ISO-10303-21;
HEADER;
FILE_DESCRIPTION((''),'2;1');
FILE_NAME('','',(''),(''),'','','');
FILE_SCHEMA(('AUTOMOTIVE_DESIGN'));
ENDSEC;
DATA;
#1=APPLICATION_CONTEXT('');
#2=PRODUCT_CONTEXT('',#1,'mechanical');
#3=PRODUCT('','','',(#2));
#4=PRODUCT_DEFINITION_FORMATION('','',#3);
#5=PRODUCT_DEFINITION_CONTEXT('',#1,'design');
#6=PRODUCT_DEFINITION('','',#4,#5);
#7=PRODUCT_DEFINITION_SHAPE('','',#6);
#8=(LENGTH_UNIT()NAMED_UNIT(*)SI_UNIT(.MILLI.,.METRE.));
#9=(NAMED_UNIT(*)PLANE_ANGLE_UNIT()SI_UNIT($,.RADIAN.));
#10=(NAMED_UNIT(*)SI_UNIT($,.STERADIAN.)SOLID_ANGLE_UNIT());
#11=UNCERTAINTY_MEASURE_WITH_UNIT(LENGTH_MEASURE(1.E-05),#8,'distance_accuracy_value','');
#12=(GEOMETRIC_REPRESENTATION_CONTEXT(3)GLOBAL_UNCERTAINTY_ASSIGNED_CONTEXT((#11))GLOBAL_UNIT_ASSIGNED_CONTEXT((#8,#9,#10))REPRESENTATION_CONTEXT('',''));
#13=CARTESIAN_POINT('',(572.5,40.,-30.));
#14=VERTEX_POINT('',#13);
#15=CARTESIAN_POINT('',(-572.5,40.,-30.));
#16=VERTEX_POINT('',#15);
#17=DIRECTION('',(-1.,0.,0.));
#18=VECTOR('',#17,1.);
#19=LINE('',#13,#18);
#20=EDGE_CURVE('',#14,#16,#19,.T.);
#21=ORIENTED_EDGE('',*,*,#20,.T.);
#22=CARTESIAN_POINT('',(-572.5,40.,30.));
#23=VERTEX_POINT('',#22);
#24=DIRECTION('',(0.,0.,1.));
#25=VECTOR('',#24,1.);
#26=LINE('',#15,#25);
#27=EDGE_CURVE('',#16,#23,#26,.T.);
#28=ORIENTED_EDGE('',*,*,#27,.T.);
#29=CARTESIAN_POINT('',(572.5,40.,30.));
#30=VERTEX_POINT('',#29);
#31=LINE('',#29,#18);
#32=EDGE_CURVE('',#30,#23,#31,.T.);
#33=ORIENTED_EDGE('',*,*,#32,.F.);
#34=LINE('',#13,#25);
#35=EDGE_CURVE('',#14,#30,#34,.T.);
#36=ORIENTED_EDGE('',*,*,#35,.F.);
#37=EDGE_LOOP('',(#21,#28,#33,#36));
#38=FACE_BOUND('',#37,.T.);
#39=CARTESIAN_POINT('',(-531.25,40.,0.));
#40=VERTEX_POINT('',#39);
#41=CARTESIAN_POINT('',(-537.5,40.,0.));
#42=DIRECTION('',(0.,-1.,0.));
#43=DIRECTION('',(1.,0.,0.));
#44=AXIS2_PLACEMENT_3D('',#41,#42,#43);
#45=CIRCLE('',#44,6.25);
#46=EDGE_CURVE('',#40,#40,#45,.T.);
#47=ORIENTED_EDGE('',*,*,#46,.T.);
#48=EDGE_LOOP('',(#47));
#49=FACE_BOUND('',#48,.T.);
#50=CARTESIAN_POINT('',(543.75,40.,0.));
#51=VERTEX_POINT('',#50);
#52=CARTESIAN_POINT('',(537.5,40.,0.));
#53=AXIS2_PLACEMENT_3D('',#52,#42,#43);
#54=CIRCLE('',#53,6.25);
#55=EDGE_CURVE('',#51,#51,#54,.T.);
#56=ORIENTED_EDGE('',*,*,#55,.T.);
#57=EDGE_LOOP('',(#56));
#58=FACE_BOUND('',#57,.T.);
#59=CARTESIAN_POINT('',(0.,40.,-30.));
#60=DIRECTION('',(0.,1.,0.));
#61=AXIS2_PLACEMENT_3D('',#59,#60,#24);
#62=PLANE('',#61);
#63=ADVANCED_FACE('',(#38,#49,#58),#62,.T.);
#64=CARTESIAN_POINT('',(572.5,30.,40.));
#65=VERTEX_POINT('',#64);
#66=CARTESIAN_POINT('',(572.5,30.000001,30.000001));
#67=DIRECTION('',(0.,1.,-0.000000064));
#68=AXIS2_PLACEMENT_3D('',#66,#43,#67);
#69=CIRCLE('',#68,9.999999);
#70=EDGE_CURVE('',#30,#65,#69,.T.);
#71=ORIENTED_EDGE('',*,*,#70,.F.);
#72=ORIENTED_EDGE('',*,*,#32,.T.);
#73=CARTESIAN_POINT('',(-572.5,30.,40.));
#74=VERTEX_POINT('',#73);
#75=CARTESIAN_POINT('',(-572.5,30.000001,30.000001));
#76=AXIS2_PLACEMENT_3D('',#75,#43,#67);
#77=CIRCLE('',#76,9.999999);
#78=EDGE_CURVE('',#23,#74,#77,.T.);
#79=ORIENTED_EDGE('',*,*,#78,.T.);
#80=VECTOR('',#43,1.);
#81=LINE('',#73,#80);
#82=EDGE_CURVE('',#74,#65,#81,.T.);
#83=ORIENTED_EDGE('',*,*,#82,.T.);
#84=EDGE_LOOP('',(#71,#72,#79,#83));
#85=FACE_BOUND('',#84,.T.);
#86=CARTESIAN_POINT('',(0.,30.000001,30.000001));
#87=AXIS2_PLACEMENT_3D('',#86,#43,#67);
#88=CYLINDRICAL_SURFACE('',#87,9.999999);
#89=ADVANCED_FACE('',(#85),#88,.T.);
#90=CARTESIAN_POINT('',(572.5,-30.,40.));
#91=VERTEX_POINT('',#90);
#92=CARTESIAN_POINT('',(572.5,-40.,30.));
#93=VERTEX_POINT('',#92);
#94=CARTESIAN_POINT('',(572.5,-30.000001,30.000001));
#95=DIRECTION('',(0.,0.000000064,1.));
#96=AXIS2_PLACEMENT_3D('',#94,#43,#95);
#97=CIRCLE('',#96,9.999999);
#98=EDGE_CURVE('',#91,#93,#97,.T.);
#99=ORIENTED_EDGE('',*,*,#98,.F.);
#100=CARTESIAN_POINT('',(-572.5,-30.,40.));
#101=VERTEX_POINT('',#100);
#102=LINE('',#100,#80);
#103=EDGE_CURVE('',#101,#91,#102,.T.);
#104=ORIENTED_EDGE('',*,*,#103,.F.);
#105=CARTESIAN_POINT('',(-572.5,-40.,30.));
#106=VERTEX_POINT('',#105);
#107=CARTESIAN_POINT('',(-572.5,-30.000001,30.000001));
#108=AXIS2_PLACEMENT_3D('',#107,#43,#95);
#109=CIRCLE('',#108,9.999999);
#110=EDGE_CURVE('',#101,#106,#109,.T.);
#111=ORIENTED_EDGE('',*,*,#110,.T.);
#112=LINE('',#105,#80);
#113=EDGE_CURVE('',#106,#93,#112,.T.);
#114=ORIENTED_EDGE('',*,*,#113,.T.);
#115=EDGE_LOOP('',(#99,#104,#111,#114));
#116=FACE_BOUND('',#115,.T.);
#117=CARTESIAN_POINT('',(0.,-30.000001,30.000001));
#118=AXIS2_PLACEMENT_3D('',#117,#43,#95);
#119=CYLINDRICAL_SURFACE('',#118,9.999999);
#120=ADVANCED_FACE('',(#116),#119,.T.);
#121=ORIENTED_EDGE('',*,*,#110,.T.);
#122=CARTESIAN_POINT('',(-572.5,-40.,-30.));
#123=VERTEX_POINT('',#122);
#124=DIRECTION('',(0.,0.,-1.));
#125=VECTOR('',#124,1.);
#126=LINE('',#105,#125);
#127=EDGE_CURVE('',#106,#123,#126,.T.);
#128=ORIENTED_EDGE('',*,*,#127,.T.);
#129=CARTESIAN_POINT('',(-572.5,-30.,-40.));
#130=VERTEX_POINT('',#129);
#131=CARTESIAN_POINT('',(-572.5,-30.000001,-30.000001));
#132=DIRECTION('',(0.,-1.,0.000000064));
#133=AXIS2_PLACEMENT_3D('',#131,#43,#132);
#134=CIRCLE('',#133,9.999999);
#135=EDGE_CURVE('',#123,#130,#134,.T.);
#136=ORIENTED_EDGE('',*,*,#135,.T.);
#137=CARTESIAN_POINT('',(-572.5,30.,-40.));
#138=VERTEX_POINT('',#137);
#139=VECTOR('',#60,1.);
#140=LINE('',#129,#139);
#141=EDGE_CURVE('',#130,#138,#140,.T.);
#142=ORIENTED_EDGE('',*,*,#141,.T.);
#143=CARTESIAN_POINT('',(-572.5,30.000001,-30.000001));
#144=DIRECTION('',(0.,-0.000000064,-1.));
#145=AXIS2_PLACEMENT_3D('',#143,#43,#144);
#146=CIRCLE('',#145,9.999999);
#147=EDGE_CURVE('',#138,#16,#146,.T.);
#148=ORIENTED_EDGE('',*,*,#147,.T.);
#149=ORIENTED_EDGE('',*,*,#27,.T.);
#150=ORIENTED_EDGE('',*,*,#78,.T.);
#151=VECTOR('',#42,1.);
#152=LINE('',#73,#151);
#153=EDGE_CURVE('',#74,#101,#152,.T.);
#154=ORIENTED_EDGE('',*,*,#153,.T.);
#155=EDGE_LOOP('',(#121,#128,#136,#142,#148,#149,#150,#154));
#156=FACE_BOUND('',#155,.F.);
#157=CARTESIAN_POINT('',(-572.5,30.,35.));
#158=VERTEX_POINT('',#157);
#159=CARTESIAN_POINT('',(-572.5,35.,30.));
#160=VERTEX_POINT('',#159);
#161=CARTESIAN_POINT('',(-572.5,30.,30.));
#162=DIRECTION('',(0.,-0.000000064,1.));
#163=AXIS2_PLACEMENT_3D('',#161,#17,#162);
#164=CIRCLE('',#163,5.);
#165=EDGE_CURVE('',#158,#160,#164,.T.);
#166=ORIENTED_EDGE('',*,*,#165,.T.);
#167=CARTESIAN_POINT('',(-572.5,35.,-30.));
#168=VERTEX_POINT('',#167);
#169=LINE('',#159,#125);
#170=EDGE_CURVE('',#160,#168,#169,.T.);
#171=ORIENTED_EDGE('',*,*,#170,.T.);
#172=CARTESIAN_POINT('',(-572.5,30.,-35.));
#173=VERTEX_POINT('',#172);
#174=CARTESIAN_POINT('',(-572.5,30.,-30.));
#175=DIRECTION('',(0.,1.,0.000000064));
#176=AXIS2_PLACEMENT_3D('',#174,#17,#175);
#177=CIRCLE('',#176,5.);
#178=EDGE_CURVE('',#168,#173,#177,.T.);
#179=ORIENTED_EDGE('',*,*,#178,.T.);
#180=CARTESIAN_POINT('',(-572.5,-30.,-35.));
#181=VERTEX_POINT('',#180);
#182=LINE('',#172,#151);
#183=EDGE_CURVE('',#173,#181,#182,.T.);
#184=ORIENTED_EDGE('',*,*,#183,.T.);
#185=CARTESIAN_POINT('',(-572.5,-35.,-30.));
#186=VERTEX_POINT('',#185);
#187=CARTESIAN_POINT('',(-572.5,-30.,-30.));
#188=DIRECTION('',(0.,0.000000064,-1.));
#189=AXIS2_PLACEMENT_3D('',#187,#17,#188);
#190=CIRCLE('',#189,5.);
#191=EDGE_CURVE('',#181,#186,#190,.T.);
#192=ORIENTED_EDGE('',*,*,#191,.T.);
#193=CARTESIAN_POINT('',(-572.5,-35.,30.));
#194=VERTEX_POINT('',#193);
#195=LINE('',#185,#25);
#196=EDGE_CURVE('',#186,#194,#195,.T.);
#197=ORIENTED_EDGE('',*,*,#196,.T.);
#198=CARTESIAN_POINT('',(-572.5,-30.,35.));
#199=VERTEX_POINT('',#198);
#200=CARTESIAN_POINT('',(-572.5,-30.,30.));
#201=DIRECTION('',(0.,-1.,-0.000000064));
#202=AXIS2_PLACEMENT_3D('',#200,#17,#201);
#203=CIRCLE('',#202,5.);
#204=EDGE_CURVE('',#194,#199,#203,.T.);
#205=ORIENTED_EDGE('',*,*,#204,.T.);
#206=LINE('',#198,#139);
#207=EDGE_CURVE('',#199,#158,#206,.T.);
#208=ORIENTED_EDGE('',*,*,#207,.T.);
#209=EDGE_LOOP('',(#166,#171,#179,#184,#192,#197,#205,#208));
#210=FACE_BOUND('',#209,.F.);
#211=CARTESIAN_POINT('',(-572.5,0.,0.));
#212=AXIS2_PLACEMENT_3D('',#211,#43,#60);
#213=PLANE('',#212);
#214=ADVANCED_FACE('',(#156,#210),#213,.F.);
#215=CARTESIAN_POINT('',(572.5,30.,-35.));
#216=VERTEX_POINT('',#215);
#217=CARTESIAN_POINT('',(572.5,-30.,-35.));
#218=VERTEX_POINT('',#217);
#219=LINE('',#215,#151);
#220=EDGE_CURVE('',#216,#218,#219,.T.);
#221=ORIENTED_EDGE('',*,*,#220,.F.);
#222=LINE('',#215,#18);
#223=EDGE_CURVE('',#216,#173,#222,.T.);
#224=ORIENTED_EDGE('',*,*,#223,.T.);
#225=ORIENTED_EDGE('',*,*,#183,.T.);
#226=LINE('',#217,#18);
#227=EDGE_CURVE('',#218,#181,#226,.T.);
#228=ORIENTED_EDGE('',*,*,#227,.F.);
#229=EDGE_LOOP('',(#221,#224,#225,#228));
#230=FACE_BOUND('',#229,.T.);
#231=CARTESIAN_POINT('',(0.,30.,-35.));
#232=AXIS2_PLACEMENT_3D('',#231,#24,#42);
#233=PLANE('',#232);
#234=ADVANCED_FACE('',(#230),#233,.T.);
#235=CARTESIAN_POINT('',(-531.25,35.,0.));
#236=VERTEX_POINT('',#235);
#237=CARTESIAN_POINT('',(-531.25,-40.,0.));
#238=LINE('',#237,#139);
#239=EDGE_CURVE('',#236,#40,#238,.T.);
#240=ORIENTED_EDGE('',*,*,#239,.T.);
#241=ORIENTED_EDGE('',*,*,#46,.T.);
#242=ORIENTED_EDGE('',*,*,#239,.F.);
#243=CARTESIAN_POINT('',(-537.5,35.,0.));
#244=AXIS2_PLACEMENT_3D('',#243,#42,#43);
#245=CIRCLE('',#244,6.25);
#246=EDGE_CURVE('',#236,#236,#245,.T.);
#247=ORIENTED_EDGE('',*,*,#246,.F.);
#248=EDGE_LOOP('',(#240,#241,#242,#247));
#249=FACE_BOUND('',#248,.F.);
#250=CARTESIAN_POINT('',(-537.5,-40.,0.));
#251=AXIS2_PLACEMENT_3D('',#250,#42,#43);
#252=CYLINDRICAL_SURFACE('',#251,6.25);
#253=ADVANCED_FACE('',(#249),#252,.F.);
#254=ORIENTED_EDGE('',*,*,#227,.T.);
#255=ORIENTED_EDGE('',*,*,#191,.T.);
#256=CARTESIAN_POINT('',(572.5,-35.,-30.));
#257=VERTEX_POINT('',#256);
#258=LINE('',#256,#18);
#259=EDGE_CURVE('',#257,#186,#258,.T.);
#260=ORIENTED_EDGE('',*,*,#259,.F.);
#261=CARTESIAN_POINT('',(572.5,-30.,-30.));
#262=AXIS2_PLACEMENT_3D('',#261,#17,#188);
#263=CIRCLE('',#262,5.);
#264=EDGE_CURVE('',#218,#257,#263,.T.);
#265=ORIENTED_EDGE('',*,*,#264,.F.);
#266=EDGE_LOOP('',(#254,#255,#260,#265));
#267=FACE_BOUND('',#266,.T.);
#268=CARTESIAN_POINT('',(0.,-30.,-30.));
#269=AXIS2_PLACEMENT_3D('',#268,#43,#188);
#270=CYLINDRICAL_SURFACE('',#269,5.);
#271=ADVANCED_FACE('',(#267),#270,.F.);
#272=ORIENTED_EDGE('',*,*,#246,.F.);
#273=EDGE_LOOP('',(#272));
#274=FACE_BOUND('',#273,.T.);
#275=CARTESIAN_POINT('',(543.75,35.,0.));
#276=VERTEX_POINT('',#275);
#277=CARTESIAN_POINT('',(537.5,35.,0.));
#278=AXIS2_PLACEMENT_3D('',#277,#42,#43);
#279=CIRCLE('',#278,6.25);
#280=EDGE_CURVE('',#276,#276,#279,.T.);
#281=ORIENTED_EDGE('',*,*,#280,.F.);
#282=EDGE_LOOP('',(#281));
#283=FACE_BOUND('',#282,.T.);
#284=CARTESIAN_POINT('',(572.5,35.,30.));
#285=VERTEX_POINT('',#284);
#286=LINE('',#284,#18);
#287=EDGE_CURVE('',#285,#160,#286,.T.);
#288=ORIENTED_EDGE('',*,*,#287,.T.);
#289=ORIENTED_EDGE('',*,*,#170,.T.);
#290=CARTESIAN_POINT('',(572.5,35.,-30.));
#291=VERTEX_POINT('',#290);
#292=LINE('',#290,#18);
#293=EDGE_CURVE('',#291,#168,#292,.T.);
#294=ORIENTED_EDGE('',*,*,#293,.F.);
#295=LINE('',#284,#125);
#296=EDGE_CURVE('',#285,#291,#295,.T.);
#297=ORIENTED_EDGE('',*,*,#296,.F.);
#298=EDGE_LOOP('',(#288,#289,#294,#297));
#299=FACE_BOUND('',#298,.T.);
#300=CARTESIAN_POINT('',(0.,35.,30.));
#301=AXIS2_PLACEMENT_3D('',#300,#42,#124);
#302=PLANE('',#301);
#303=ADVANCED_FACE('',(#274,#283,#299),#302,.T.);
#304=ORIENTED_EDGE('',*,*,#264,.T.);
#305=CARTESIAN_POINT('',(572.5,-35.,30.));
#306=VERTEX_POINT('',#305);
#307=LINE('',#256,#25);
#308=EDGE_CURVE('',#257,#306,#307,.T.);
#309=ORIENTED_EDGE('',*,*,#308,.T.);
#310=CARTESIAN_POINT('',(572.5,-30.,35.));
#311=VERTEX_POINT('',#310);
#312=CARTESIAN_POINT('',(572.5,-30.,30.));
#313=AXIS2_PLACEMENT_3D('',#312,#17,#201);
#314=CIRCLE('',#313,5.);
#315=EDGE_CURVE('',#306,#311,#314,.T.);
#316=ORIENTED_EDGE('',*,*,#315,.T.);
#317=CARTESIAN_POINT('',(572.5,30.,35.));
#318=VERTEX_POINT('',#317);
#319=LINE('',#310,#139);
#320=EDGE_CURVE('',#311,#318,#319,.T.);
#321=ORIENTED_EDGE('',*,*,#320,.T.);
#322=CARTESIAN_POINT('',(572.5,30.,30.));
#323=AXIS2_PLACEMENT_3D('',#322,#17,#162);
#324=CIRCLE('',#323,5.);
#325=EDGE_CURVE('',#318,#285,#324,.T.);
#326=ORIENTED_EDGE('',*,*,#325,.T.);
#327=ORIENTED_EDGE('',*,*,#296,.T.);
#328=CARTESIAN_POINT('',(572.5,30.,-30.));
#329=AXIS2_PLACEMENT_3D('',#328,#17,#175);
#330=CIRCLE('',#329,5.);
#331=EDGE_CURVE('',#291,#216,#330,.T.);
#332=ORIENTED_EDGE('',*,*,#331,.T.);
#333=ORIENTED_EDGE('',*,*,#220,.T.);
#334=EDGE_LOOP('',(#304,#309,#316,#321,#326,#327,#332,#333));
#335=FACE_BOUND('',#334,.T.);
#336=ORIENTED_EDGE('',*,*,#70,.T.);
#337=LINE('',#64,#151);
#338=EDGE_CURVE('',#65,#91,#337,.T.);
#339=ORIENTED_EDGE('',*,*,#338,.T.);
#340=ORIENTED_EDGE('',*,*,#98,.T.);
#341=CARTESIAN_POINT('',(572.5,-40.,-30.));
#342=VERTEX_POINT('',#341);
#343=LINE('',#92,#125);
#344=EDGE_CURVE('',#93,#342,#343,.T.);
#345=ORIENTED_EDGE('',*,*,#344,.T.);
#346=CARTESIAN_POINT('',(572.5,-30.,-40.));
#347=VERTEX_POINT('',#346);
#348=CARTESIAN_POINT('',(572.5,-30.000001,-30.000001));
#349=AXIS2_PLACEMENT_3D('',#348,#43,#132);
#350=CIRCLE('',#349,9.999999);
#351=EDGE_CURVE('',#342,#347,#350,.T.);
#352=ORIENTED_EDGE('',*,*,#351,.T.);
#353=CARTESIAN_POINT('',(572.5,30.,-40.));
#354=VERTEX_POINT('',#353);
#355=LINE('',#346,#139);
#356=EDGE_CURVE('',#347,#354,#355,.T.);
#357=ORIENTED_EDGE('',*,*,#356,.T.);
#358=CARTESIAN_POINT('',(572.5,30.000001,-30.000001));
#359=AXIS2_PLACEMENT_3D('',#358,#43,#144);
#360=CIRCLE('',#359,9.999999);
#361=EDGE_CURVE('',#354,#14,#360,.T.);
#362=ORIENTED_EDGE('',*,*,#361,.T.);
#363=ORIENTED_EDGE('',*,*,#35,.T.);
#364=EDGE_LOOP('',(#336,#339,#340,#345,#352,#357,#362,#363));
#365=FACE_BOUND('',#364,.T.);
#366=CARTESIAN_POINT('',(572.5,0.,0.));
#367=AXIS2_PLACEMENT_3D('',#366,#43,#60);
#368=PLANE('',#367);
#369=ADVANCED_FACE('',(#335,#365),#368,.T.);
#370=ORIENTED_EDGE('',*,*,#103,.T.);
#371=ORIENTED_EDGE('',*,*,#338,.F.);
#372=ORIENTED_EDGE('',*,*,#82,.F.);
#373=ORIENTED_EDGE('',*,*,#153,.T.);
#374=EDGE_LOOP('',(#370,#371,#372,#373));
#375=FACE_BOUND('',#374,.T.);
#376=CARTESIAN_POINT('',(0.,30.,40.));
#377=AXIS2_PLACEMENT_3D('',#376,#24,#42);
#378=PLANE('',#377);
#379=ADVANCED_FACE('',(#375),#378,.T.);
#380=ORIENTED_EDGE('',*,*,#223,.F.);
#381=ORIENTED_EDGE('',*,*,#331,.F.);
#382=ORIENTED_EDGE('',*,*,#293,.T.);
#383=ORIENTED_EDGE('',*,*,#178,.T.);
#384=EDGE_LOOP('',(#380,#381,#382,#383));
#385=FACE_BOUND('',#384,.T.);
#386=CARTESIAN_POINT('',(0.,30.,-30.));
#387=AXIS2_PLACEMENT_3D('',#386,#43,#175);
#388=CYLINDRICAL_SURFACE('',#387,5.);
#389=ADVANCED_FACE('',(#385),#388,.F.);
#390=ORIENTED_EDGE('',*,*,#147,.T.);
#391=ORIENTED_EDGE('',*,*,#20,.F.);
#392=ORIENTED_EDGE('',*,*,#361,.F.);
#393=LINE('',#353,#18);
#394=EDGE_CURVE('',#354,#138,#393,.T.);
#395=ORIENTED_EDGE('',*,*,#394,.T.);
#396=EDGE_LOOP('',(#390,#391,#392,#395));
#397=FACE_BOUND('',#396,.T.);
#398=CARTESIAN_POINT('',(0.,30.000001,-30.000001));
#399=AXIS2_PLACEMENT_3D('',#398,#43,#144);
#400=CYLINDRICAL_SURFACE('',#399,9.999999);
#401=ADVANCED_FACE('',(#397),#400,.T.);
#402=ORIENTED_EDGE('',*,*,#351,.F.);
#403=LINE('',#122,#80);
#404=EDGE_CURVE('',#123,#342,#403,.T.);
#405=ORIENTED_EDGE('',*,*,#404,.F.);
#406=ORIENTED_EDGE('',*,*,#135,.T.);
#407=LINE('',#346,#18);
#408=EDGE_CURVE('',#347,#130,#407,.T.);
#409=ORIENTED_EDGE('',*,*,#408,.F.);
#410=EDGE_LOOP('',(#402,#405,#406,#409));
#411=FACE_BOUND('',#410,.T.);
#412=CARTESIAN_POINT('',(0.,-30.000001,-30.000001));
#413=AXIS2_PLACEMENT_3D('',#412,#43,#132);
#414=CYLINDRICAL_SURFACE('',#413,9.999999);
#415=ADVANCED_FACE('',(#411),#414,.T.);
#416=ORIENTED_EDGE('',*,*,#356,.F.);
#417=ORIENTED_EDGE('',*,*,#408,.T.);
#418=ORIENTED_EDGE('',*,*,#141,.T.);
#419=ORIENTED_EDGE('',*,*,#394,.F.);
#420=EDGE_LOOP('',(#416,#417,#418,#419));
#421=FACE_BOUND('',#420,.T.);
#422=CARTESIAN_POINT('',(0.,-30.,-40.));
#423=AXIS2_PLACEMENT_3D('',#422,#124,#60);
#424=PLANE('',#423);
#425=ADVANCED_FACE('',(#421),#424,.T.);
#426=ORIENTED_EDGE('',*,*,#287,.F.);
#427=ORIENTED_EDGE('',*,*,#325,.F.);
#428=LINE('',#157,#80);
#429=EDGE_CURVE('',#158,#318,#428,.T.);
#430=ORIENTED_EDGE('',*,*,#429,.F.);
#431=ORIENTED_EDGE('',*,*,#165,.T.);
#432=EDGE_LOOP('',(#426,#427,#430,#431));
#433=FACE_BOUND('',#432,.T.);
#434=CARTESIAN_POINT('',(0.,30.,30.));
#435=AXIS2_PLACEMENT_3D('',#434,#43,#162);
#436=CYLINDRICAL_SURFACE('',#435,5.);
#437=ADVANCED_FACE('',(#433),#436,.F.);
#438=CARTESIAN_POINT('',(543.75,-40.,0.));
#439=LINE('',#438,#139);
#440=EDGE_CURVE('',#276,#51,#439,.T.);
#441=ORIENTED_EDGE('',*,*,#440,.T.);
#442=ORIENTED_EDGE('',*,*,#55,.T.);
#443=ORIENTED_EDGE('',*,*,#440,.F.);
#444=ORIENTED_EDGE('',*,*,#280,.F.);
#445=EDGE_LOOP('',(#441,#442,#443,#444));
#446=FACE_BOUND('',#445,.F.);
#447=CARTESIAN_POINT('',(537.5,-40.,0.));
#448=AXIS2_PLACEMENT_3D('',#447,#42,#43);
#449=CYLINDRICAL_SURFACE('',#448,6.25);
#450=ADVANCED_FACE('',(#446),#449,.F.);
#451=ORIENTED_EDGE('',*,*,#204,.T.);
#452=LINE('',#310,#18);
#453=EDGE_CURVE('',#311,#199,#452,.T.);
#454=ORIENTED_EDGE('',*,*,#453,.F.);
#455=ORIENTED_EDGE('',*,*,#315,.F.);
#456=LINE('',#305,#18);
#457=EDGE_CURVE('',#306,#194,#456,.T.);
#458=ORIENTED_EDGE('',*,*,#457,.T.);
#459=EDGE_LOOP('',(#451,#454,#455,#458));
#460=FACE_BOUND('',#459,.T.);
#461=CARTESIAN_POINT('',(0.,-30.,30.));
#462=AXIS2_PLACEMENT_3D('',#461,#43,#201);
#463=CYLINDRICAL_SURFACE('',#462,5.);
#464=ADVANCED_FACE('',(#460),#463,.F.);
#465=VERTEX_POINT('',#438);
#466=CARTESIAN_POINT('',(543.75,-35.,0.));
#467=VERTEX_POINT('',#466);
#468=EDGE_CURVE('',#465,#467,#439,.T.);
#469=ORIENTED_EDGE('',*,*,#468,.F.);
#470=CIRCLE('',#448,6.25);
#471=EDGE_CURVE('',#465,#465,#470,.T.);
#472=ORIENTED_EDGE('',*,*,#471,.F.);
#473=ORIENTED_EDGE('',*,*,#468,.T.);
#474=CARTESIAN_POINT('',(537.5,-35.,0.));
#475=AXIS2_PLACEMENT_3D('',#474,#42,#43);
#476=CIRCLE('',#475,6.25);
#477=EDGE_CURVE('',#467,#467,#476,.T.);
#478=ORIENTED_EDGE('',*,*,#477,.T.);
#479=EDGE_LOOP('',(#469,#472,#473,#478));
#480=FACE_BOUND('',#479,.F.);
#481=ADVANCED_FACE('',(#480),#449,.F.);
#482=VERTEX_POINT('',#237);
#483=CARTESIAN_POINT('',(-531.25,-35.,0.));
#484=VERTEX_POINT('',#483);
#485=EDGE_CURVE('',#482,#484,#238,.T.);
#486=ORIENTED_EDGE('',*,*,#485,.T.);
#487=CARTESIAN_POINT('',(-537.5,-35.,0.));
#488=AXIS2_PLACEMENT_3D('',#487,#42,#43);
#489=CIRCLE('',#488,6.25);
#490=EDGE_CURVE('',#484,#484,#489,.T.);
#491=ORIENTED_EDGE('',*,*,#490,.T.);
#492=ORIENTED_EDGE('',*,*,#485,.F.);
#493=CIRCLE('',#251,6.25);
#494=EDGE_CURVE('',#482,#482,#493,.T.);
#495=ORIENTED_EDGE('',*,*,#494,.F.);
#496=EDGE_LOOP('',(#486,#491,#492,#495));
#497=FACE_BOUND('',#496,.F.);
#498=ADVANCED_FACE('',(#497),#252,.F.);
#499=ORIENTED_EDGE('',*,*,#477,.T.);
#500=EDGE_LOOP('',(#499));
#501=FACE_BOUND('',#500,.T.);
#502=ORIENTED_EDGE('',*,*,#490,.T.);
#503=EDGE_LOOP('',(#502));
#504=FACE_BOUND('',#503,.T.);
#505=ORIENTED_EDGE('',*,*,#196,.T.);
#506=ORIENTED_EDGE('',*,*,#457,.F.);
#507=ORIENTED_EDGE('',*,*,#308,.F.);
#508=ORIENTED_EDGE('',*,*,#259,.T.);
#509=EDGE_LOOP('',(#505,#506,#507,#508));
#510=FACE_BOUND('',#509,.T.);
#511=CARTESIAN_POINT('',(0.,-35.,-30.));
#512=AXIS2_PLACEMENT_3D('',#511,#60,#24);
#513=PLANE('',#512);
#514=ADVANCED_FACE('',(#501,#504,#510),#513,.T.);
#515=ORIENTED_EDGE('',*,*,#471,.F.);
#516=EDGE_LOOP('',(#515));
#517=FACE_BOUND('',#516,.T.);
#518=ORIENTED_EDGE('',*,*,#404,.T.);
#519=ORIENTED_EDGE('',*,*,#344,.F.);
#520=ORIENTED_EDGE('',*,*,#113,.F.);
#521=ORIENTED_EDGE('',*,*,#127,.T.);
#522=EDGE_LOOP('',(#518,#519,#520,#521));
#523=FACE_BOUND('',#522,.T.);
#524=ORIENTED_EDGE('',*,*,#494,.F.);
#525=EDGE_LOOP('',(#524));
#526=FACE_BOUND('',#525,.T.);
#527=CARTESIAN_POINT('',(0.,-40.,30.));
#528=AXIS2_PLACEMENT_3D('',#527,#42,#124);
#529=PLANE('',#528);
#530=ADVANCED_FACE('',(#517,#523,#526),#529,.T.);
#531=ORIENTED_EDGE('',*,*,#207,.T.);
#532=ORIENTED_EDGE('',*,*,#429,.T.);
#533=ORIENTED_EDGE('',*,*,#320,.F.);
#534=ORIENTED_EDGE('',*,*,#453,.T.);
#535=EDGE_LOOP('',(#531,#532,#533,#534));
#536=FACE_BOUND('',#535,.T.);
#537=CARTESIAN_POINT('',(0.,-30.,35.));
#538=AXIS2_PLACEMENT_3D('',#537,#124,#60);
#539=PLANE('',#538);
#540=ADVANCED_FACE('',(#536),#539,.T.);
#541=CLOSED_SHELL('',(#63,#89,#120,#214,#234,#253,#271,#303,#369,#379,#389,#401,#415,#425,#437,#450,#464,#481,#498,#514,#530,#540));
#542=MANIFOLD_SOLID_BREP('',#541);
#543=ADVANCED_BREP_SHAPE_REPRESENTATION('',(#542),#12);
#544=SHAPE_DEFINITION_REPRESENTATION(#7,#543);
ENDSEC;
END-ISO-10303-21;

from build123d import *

# Parameters (mm, degrees)
F1_DEPTH = 572.5
F2_R     = 6.25
F3_DEPTH = 80.001


with BuildPart() as f1:
    # F0 (on Right) → F1 (new body, symmetric)
    with BuildSketch(Plane.YZ):
        with BuildLine():
            ThreePointArc((40, 30), (37.071068, 37.071068), (30, 40))
            Line((30, 40), (-30, 40))
            ThreePointArc((-30, 40), (-37.071068, 37.071068), (-40, 30))
            Line((-40, 30), (-40, -30))
            ThreePointArc((-40, -30), (-37.071068, -37.071068), (-30, -40))
            Line((-30, -40), (30, -40))
            ThreePointArc((30, -40), (37.071068, -37.071068), (40, -30))
            Line((40, -30), (40, 30))
        make_face()
        with BuildLine():
            ThreePointArc((30, 35), (33.535534, 33.535534), (35, 30))
            Line((35, 30), (35, -30))
            ThreePointArc((35, -30), (33.535534, -33.535534), (30, -35))
            Line((30, -35), (-30, -35))
            ThreePointArc((-30, -35), (-33.535534, -33.535534), (-35, -30))
            Line((-35, -30), (-35, 30))
            ThreePointArc((-35, 30), (-33.535534, 33.535534), (-30, 35))
            Line((-30, 35), (30, 35))
        make_face(mode=Mode.SUBTRACT)
    extrude(amount=F1_DEPTH, both=True)

    # F2 (on face) → F3 (cut, through all)
    with BuildSketch(Plane.XZ.offset(40)):
        with Locations((537.5, 0)):
            Circle(F2_R)
        with Locations((-537.5, 0)):
            Circle(F2_R)
    extrude(amount=-F3_DEPTH, mode=Mode.SUBTRACT)


solid = f1.part
